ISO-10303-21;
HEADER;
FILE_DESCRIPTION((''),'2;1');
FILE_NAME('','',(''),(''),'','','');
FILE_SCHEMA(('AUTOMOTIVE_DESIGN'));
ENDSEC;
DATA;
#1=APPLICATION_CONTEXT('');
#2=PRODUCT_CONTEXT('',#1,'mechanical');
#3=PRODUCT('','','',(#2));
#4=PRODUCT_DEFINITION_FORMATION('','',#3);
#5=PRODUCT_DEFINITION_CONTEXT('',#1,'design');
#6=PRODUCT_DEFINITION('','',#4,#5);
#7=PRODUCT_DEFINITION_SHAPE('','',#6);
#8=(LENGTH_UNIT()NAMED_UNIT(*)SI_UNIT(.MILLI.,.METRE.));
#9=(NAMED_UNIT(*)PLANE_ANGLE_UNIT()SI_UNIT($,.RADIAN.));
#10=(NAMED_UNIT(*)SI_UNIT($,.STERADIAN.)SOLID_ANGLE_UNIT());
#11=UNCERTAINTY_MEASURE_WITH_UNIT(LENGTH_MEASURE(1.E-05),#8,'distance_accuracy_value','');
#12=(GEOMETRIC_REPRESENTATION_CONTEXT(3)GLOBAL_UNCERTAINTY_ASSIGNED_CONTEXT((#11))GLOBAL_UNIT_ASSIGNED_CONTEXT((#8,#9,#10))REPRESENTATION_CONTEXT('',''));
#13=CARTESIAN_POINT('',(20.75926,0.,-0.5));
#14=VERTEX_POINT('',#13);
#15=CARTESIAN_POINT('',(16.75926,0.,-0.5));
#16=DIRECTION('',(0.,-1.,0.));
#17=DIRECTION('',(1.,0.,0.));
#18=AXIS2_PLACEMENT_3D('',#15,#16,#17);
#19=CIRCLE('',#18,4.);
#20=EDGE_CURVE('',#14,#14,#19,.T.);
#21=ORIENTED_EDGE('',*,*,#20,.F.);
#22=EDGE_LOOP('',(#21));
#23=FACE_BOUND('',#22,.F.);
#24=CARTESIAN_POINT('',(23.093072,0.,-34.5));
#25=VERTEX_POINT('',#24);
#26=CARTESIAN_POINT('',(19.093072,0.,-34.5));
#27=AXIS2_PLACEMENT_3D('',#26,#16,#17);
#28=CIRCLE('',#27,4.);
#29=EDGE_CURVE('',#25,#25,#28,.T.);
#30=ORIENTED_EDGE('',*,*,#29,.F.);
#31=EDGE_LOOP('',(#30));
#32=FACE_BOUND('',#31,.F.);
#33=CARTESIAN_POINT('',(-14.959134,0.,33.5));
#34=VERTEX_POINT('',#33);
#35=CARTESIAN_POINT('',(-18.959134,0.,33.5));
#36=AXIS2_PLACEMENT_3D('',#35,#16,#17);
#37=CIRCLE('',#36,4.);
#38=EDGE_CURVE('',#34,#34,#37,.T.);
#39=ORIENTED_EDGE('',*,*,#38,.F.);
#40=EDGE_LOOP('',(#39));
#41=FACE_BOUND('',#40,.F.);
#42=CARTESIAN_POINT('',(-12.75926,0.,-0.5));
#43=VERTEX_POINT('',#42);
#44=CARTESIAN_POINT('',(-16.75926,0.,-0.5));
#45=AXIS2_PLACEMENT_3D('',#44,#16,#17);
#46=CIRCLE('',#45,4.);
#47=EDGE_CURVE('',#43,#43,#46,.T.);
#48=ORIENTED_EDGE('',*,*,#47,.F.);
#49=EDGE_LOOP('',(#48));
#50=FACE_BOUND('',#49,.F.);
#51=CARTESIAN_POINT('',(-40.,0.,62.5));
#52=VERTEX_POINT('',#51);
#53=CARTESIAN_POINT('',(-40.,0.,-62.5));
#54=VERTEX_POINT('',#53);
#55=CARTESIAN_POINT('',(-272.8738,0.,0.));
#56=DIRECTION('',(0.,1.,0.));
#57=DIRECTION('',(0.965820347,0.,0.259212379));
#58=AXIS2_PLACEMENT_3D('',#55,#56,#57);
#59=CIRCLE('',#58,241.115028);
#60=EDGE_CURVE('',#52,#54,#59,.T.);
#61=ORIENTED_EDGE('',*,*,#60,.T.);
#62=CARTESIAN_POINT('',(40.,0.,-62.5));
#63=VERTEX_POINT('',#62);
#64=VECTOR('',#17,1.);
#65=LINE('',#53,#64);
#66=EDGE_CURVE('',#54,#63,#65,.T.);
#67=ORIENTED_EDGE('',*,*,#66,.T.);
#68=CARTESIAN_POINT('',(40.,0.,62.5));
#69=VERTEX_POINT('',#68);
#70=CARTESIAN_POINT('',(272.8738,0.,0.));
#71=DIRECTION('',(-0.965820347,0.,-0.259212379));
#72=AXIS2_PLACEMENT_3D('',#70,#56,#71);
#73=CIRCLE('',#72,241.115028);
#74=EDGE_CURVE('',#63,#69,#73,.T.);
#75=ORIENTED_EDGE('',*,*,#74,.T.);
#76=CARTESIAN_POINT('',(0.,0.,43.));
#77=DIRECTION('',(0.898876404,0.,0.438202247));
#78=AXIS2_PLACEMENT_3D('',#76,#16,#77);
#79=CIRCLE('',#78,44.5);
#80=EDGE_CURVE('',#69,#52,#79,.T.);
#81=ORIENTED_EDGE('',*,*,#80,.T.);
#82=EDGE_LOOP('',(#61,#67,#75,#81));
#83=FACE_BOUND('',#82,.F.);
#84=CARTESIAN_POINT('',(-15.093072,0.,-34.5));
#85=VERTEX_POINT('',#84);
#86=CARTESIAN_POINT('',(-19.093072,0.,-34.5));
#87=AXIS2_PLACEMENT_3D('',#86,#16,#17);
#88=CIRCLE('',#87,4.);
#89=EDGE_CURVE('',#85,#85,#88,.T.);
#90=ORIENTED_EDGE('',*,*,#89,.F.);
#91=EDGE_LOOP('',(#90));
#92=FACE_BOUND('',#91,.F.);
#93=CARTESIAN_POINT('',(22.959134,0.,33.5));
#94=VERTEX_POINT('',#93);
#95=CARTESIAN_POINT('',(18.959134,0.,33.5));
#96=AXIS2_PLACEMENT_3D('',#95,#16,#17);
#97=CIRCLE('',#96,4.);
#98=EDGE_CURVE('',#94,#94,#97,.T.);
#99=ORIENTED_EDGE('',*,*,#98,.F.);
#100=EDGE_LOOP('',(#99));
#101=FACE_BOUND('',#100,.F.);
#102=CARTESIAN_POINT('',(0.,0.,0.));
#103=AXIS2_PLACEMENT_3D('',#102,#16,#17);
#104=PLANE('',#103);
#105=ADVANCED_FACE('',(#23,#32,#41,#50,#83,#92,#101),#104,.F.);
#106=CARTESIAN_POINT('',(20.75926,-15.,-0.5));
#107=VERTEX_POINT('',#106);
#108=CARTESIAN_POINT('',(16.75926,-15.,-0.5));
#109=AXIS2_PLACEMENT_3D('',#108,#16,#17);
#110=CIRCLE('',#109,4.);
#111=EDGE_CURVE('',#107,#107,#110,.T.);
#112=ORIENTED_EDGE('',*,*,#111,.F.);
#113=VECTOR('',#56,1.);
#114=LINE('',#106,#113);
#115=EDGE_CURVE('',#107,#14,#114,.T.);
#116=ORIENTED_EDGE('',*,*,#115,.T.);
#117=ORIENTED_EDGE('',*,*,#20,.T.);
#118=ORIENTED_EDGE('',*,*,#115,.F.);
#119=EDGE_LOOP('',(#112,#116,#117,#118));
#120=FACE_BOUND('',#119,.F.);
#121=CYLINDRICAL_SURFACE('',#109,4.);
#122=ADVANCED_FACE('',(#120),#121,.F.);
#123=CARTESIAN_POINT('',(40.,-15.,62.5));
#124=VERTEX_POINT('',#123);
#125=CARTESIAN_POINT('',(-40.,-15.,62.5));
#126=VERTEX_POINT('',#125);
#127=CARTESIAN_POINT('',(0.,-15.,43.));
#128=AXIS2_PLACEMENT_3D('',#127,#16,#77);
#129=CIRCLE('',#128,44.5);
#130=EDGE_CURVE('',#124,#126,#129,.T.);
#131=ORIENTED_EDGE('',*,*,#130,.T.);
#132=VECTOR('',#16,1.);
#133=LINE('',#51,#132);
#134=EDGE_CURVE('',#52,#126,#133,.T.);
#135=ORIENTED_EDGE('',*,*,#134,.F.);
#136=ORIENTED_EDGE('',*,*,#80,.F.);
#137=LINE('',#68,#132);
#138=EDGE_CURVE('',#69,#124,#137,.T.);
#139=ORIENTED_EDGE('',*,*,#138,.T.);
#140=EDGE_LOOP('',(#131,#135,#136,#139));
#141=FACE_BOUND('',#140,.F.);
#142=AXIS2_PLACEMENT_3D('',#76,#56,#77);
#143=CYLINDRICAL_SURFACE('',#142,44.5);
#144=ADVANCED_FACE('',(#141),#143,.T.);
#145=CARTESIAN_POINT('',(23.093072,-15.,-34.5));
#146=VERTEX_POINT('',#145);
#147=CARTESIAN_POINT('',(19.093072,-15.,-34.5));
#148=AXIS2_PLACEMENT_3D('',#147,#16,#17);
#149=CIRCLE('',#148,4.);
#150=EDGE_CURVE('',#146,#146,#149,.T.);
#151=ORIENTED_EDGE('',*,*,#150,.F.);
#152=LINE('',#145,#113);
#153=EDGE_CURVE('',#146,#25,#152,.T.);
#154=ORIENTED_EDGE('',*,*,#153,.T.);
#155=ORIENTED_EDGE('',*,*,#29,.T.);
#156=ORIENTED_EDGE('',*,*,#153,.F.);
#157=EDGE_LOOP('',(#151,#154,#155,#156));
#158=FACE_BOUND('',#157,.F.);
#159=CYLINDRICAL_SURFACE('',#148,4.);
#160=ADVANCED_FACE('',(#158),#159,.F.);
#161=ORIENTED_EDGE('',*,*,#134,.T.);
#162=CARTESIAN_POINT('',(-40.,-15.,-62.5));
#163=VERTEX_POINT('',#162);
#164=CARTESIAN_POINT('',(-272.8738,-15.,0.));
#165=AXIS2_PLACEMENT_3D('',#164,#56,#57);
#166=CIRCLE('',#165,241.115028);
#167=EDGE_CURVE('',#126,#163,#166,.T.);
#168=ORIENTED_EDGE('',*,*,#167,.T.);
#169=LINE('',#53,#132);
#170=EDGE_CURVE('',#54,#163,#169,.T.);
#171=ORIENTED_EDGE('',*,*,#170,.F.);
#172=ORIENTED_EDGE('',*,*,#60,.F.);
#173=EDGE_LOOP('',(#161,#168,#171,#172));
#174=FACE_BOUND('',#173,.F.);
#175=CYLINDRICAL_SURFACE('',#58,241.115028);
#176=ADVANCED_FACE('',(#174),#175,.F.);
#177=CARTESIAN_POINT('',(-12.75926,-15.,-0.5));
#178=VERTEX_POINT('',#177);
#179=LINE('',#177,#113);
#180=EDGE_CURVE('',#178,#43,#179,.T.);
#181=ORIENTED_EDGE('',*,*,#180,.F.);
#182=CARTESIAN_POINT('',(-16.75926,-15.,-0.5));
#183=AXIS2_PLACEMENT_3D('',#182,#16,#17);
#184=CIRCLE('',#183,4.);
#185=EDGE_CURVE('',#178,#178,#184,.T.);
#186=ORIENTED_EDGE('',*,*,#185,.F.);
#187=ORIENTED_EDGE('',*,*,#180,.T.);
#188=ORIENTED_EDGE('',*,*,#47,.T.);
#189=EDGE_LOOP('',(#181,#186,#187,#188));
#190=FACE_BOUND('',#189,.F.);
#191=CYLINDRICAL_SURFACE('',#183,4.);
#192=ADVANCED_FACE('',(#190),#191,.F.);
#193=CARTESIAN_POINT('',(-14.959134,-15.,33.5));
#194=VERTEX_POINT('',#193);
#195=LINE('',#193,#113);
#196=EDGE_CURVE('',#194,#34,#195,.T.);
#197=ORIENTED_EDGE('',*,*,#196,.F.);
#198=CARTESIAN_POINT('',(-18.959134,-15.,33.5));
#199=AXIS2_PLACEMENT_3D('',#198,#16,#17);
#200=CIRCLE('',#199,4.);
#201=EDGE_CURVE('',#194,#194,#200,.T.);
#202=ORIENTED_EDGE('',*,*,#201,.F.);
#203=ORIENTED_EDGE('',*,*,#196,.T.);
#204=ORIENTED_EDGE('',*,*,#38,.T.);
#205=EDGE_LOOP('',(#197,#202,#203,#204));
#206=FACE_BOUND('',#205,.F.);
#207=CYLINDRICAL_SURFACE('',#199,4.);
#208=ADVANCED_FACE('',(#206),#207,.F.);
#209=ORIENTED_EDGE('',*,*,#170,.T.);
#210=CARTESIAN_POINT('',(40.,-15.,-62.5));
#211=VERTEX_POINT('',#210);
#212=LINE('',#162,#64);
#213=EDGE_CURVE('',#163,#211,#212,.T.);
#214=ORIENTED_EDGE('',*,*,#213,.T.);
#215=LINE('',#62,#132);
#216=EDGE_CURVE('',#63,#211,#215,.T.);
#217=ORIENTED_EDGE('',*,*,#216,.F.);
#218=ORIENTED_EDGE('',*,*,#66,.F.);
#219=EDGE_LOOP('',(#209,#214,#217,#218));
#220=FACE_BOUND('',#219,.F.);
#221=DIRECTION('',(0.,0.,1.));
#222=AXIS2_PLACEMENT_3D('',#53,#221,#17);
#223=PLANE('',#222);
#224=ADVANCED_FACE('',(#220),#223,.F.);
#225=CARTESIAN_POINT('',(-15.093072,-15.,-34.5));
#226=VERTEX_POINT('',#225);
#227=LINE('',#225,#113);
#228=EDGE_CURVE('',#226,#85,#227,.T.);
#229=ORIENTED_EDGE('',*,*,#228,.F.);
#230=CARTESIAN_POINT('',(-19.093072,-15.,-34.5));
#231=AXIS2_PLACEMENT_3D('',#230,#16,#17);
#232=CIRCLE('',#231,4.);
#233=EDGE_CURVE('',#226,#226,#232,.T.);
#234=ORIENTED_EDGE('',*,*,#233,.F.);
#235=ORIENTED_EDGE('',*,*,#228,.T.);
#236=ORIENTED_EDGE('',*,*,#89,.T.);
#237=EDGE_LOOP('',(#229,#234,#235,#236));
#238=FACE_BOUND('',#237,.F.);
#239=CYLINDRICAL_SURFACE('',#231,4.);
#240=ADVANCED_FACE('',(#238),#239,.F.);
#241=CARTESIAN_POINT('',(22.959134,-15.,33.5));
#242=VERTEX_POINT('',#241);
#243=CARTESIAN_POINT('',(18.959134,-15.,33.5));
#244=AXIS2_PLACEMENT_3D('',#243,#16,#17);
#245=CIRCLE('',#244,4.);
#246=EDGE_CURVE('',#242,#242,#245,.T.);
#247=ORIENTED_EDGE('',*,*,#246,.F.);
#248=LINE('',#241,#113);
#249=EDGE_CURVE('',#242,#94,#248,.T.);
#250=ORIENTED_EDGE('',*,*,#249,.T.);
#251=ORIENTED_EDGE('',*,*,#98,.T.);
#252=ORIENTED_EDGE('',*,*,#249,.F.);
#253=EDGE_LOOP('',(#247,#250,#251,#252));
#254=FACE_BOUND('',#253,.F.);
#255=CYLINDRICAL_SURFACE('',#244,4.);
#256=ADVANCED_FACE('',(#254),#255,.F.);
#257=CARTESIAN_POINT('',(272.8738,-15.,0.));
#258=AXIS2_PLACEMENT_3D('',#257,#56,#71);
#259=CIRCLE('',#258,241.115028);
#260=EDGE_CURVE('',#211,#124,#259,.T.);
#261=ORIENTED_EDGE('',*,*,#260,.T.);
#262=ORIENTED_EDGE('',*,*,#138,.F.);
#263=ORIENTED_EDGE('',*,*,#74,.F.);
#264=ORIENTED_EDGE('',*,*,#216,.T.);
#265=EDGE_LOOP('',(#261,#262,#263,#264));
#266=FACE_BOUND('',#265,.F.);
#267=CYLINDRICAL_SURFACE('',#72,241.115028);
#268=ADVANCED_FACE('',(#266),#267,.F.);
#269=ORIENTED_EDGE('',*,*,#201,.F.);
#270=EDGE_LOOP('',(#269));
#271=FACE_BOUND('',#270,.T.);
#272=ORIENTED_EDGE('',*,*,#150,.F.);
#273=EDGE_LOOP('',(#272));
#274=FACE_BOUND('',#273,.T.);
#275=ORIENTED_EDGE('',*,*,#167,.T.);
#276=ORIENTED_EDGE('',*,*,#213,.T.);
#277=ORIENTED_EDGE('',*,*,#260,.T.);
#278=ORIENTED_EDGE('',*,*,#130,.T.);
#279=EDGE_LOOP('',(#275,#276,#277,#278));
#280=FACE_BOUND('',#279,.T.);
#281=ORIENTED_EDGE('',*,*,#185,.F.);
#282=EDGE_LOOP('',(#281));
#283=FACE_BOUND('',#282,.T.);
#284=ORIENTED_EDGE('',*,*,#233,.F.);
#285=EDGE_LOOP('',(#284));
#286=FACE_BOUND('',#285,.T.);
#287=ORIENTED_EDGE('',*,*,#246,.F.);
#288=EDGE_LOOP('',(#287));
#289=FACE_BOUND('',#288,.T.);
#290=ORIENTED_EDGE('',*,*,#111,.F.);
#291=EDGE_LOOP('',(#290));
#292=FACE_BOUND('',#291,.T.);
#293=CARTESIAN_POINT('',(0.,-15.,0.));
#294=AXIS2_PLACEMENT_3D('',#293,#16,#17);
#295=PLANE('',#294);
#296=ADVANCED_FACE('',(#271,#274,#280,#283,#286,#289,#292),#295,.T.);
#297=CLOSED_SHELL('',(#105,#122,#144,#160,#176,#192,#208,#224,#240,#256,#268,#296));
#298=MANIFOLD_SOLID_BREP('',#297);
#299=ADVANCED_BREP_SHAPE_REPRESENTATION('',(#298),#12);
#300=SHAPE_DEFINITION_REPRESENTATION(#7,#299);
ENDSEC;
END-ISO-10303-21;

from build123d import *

# Parameters (mm, degrees)
F1_DEPTH = 15
F2_R     = 4
F3_DEPTH = 15.001


with BuildPart() as f1:
    # F0 (on Front) → F1 (new body)
    with BuildSketch(Plane.XZ):
        with BuildLine():
            ThreePointArc((40, -62.5), (31.758772, 0), (40, 62.5))
            Line((40, 62.5), (-40, 62.5))
            ThreePointArc((-40, 62.5), (-31.758772, 0), (-40, -62.5))
            Line((-40, -62.5), (40, -62.5))
        make_face()
        with BuildLine():
            Line((-40, 62.5), (40, 62.5))
            ThreePointArc((40, 62.5), (0, 87.5), (-40, 62.5))
        make_face()
    extrude(amount=F1_DEPTH)

    # F2 (on face) → F3 (cut, through all)
    with BuildSketch(Plane.XZ.offset(15)):
        with Locations((-19.093072, -34.5)):
            Circle(F2_R)
        with Locations((-16.75926, -0.5)):
            Circle(F2_R)
        with Locations((-18.959134, 33.5)):
            Circle(F2_R)
        with Locations((18.959134, 33.5)):
            Circle(F2_R)
        with Locations((16.75926, -0.5)):
            Circle(F2_R)
        with Locations((19.093072, -34.5)):
            Circle(F2_R)
    extrude(amount=-F3_DEPTH, mode=Mode.SUBTRACT)


solid = f1.part
